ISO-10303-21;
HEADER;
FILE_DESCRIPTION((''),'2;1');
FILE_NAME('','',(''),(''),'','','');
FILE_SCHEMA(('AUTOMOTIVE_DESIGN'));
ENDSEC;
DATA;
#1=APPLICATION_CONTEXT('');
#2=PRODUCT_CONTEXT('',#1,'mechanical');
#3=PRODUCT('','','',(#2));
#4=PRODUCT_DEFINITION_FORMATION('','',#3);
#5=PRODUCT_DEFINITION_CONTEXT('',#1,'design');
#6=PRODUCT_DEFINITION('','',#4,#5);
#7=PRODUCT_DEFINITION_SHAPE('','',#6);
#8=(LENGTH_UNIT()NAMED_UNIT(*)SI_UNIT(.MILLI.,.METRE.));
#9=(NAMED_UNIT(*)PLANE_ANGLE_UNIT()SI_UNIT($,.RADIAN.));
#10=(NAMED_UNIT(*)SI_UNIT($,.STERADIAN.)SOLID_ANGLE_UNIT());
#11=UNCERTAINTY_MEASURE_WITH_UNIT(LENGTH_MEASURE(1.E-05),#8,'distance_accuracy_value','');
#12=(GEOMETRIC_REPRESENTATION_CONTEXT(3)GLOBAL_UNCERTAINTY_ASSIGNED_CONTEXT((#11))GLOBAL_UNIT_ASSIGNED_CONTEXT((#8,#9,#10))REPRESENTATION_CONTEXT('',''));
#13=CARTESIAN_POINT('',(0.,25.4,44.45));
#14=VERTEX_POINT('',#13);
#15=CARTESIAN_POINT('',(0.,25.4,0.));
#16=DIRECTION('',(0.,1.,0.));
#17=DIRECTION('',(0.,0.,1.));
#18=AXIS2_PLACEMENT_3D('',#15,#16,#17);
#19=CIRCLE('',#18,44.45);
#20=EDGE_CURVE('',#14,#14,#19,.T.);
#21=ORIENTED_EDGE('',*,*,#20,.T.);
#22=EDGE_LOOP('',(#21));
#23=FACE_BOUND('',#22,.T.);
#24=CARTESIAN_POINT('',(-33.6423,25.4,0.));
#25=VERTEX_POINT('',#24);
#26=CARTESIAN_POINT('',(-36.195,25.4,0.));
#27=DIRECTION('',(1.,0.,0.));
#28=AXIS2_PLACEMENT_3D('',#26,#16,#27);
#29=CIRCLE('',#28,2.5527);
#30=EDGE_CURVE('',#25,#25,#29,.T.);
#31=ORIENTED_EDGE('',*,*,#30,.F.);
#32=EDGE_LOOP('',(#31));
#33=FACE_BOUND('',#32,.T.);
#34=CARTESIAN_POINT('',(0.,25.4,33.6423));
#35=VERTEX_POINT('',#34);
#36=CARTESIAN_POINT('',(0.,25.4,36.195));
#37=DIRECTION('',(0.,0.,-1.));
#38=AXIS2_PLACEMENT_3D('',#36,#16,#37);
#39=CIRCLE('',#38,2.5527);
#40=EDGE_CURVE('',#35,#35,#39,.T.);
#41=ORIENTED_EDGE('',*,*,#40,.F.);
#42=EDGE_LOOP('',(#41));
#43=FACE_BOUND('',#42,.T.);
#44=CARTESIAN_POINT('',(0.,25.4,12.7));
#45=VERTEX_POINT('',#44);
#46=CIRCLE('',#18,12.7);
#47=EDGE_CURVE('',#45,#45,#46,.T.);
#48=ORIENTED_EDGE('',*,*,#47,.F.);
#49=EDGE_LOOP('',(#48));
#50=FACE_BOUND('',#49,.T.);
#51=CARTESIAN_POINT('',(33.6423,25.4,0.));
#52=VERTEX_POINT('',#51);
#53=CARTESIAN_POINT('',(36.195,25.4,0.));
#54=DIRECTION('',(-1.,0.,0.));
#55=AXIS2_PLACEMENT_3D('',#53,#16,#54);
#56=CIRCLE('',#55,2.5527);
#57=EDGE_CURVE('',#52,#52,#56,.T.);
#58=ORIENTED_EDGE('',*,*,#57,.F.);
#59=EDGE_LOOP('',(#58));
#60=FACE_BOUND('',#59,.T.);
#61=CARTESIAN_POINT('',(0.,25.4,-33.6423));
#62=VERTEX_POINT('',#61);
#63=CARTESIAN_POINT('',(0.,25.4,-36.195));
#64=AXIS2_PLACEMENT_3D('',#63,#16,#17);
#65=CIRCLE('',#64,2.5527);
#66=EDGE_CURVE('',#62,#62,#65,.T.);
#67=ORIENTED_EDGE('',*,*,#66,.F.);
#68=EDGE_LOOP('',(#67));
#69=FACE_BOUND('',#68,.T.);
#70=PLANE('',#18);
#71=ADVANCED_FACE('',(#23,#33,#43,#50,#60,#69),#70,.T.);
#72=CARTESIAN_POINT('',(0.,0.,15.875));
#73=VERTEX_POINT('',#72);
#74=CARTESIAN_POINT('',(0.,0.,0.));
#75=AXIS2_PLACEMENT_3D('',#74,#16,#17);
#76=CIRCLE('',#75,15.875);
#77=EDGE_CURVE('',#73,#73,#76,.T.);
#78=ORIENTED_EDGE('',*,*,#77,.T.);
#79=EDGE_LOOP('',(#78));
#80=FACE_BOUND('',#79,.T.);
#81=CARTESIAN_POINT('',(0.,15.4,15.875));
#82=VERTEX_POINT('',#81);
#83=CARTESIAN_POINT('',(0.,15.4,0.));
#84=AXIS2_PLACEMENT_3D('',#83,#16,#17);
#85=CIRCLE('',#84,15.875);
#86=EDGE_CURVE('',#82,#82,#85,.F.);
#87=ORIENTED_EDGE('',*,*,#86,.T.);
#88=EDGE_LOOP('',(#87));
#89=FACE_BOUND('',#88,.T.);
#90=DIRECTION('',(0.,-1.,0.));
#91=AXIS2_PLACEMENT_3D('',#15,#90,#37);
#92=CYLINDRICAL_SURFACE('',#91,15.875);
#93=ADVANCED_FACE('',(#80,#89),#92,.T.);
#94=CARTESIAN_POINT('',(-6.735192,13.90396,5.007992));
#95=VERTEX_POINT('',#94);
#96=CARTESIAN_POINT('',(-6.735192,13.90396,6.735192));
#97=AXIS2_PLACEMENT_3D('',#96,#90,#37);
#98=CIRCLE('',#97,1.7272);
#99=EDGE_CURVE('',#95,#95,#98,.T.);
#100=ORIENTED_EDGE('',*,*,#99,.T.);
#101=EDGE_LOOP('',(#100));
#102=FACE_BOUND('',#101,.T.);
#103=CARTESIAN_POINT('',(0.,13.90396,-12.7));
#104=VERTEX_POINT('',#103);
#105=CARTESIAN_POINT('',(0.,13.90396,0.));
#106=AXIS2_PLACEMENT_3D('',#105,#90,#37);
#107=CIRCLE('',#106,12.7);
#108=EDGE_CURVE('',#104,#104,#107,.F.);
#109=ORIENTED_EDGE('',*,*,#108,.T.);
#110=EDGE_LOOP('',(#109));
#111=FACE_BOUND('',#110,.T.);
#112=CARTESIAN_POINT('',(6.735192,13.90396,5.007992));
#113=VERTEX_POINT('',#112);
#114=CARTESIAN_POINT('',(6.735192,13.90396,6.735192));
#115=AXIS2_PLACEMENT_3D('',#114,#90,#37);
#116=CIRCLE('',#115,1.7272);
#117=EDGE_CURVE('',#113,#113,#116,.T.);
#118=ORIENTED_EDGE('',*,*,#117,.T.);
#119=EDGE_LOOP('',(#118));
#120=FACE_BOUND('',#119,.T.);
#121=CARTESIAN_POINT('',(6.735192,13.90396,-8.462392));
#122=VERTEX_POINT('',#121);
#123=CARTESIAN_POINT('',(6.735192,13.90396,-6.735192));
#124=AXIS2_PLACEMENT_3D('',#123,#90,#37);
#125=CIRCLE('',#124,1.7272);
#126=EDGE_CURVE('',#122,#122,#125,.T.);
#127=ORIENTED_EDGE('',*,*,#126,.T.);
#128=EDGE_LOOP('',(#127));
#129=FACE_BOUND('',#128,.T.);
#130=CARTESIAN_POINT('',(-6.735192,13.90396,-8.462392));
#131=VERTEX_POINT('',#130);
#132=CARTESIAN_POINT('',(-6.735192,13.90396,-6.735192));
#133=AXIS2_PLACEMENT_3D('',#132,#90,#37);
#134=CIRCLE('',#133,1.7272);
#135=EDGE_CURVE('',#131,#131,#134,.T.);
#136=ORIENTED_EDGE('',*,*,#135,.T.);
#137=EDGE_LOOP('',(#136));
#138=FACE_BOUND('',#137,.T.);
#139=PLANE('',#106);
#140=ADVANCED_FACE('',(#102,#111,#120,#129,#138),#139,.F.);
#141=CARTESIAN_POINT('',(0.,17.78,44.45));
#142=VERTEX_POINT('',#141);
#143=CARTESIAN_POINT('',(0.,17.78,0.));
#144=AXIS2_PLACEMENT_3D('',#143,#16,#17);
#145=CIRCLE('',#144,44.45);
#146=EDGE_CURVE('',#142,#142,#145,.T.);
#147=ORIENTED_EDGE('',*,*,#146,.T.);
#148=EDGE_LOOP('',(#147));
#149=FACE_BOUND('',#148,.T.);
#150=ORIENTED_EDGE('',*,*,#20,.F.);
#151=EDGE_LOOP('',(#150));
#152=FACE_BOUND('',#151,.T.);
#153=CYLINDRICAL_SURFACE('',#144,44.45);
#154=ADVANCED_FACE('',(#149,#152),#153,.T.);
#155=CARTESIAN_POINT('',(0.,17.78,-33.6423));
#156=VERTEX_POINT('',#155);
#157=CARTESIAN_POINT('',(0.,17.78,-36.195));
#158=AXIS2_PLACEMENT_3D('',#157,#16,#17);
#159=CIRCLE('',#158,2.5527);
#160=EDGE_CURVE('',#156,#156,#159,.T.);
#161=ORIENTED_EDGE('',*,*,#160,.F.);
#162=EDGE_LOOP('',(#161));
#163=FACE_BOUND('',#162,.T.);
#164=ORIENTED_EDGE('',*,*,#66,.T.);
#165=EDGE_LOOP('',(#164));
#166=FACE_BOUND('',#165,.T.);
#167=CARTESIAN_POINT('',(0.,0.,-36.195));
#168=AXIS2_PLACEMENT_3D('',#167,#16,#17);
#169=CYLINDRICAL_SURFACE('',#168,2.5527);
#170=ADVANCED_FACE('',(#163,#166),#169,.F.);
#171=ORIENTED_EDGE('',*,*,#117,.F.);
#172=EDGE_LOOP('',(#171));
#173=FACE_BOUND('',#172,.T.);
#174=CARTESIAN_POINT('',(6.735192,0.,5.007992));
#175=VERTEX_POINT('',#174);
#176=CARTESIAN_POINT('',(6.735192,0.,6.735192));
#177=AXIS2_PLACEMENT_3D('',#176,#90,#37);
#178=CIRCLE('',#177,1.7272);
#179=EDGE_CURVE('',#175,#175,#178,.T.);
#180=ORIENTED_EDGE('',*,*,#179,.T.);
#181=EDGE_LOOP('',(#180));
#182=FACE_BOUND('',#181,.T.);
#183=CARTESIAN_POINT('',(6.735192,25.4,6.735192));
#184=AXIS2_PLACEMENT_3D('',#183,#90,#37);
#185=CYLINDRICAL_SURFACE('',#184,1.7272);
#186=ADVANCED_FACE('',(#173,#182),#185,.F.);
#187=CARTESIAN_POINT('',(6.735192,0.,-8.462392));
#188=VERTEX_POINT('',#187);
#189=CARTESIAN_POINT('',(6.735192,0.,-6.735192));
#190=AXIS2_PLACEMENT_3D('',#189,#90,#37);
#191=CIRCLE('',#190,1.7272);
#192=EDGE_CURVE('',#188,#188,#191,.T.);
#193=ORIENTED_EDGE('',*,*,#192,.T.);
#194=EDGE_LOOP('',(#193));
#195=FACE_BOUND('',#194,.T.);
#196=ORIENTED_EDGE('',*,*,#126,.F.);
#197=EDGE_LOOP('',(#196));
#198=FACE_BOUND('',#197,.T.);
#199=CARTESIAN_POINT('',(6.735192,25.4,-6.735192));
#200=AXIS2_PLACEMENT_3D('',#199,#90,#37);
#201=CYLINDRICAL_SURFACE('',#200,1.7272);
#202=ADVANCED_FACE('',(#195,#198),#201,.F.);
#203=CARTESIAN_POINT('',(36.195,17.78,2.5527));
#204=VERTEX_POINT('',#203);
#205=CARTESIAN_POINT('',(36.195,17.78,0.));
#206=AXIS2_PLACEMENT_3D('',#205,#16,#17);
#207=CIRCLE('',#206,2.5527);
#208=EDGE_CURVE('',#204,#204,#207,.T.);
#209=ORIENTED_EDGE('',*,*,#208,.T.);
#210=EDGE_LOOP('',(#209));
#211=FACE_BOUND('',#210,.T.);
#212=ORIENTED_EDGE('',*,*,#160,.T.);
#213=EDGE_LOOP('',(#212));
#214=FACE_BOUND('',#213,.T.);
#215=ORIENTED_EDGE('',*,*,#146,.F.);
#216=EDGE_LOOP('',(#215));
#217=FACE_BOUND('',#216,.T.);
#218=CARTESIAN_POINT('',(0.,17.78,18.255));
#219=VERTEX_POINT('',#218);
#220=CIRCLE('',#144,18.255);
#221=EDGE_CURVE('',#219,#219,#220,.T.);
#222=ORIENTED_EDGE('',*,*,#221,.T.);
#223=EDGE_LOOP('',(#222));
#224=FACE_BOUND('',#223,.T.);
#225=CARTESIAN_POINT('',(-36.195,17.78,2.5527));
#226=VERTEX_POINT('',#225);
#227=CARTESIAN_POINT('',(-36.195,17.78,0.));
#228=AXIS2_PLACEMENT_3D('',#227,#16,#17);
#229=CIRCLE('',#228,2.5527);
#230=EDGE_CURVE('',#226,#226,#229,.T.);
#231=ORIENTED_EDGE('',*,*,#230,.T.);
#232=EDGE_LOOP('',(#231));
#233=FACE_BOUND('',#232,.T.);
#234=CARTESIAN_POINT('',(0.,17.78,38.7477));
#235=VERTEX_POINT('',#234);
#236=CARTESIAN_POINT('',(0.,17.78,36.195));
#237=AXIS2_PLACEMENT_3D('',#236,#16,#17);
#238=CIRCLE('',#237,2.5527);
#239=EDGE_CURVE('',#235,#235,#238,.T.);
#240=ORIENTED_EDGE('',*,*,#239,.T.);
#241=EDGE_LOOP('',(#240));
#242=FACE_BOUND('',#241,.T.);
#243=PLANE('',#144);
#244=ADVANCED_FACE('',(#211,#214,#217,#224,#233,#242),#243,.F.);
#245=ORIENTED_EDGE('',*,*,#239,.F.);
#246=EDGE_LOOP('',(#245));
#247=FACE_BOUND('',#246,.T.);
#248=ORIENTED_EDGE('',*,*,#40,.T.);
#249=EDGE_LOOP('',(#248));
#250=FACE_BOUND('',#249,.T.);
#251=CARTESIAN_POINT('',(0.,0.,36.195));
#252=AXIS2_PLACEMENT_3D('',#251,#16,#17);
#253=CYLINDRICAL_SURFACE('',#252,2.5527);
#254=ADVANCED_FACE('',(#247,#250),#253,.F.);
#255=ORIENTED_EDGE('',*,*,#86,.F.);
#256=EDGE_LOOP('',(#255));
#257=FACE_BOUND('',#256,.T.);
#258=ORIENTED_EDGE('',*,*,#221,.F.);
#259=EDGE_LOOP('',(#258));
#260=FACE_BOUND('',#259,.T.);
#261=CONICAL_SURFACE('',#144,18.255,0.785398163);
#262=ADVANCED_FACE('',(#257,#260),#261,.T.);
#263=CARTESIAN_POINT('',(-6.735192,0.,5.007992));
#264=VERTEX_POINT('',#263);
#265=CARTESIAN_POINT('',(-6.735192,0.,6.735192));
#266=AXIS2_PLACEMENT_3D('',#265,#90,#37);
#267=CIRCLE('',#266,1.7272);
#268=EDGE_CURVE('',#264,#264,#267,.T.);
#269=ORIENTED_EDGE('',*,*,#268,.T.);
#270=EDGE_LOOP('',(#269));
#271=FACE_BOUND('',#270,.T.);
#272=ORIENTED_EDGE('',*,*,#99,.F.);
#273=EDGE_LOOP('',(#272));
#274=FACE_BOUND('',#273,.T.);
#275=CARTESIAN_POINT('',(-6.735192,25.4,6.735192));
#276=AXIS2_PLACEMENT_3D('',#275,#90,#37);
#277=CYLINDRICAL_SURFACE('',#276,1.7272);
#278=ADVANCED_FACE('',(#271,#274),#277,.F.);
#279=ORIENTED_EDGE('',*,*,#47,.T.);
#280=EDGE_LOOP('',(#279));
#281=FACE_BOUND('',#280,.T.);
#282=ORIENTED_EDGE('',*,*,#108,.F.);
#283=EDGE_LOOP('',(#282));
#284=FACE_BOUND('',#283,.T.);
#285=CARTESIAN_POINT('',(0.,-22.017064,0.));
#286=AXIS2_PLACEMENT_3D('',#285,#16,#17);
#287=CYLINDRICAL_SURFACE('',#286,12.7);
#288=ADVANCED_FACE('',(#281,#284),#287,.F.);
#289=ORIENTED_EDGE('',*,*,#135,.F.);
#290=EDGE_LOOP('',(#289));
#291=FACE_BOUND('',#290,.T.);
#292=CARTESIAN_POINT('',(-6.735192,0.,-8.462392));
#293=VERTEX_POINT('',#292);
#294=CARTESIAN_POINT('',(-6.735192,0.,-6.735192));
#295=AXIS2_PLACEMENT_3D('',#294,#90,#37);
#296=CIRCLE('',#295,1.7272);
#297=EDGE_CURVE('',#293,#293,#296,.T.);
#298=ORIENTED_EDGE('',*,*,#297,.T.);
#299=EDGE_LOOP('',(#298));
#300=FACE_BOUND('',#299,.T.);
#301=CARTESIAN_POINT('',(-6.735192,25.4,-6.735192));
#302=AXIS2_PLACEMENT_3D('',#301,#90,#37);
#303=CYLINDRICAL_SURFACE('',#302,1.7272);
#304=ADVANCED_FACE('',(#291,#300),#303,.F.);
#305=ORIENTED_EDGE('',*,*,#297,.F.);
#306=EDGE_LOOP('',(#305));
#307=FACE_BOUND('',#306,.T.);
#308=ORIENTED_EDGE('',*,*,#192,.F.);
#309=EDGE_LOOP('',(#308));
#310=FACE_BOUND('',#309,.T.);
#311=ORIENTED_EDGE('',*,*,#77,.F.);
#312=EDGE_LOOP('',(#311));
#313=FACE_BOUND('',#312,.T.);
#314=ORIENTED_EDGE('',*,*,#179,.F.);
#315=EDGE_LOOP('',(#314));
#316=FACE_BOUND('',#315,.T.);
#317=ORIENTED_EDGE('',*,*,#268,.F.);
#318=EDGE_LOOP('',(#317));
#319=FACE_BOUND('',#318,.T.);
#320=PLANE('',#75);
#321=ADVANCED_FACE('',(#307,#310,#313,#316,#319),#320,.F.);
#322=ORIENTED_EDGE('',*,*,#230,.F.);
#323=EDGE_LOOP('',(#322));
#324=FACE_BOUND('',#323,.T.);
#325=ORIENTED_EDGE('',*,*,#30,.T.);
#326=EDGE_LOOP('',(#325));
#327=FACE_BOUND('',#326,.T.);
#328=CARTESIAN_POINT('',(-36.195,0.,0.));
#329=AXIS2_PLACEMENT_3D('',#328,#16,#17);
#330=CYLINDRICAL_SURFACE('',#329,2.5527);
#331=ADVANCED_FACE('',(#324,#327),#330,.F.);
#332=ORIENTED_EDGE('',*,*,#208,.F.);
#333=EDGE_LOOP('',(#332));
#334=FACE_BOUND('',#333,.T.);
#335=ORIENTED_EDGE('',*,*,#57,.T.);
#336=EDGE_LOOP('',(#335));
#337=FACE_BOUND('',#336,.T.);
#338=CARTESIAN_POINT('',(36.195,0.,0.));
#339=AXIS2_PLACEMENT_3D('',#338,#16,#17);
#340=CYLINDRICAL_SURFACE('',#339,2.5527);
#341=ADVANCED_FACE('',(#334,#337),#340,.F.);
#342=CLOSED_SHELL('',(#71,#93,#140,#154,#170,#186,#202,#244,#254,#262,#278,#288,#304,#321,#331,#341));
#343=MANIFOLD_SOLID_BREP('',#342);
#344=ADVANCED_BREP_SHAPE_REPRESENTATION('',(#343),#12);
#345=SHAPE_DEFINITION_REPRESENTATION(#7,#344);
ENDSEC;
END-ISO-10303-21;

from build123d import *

# Parameters (mm, degrees)
SKETCH1_R           = 15.875
BOSS_EXTRUDE1_DEPTH = 25.4
SKETCH4_R           = 44.45
BOSS_EXTRUDE2_DEPTH = 7.62
SKETCH6_R           = 2.5527
CUT_EXTRUDE4_DEPTH  = 26.4
CIRPATTERN2_COUNT   = 4
CUT_EXTRUDE5_START  = -11.49604
SKETCH2_R           = 12.7
CUT_EXTRUDE5_DEPTH  = 11.49604
CHAMFER1_SIZE       = 2.38
SKETCH3_R           = 1.7272
CUT_EXTRUDE6_DEPTH  = 26.4


with BuildPart() as part:
    # Sketch1 → Boss-Extrude1 (new body)
    with BuildSketch(Plane(origin=(0, 0, 0), x_dir=(1, 0, 0), z_dir=(0, 1, 0))):
        Circle(SKETCH1_R)
    extrude(amount=BOSS_EXTRUDE1_DEPTH)

    # Sketch4 → Boss-Extrude2 (add)
    with BuildSketch(Plane(origin=(0, 25.4, 0), x_dir=(1, 0, 0), z_dir=(0, 1, 0))):
        Circle(SKETCH4_R)
    extrude(amount=-BOSS_EXTRUDE2_DEPTH)

    # Sketch6 → Cut-Extrude4 (cut, through all)
    with BuildSketch(Plane(origin=(0, 25.4, 0), x_dir=(1, 0, 0), z_dir=(0, 1, 0))):
        with Locations((0, 36.195)):
            Circle(SKETCH6_R)
    cut_extrude4 = extrude(amount=-CUT_EXTRUDE4_DEPTH, mode=Mode.SUBTRACT)

    # CirPattern2: Cut-Extrude4 ×4 about axis
    cirpattern2_axis = Axis((0, 0, 0), (0, 1, 0))
    for i in range(1, CIRPATTERN2_COUNT):
        add(cut_extrude4.rotate(cirpattern2_axis, i * 360 / CIRPATTERN2_COUNT), mode=Mode.SUBTRACT)

    # Sketch2 → Cut-Extrude5 (cut)
    with BuildSketch(Plane(origin=(0, 25.4, 0), x_dir=(1, 0, 0), z_dir=(0, 1, 0)).offset(CUT_EXTRUDE5_START)):
        Circle(SKETCH2_R)
    extrude(amount=CUT_EXTRUDE5_DEPTH, mode=Mode.SUBTRACT)

    # Chamfer1
    chamfer1_edges = [part.edges().sort_by_distance(p)[0] for p in [
        (-15.875, 17.78, 0),
    ]]
    chamfer(chamfer1_edges, length=CHAMFER1_SIZE)

    # Sketch3 → Cut-Extrude6 (cut, through all)
    with BuildSketch(Plane.XZ):
        with Locations((6.735192091, -6.735192091)):
            Circle(SKETCH3_R)
        with Locations((-6.735192091, -6.735192091)):
            Circle(SKETCH3_R)
        with Locations((-6.735192091, 6.735192091)):
            Circle(SKETCH3_R)
        with Locations((6.735192091, 6.735192091)):
            Circle(SKETCH3_R)
    extrude(amount=-CUT_EXTRUDE6_DEPTH, mode=Mode.SUBTRACT)


solid = part.part
